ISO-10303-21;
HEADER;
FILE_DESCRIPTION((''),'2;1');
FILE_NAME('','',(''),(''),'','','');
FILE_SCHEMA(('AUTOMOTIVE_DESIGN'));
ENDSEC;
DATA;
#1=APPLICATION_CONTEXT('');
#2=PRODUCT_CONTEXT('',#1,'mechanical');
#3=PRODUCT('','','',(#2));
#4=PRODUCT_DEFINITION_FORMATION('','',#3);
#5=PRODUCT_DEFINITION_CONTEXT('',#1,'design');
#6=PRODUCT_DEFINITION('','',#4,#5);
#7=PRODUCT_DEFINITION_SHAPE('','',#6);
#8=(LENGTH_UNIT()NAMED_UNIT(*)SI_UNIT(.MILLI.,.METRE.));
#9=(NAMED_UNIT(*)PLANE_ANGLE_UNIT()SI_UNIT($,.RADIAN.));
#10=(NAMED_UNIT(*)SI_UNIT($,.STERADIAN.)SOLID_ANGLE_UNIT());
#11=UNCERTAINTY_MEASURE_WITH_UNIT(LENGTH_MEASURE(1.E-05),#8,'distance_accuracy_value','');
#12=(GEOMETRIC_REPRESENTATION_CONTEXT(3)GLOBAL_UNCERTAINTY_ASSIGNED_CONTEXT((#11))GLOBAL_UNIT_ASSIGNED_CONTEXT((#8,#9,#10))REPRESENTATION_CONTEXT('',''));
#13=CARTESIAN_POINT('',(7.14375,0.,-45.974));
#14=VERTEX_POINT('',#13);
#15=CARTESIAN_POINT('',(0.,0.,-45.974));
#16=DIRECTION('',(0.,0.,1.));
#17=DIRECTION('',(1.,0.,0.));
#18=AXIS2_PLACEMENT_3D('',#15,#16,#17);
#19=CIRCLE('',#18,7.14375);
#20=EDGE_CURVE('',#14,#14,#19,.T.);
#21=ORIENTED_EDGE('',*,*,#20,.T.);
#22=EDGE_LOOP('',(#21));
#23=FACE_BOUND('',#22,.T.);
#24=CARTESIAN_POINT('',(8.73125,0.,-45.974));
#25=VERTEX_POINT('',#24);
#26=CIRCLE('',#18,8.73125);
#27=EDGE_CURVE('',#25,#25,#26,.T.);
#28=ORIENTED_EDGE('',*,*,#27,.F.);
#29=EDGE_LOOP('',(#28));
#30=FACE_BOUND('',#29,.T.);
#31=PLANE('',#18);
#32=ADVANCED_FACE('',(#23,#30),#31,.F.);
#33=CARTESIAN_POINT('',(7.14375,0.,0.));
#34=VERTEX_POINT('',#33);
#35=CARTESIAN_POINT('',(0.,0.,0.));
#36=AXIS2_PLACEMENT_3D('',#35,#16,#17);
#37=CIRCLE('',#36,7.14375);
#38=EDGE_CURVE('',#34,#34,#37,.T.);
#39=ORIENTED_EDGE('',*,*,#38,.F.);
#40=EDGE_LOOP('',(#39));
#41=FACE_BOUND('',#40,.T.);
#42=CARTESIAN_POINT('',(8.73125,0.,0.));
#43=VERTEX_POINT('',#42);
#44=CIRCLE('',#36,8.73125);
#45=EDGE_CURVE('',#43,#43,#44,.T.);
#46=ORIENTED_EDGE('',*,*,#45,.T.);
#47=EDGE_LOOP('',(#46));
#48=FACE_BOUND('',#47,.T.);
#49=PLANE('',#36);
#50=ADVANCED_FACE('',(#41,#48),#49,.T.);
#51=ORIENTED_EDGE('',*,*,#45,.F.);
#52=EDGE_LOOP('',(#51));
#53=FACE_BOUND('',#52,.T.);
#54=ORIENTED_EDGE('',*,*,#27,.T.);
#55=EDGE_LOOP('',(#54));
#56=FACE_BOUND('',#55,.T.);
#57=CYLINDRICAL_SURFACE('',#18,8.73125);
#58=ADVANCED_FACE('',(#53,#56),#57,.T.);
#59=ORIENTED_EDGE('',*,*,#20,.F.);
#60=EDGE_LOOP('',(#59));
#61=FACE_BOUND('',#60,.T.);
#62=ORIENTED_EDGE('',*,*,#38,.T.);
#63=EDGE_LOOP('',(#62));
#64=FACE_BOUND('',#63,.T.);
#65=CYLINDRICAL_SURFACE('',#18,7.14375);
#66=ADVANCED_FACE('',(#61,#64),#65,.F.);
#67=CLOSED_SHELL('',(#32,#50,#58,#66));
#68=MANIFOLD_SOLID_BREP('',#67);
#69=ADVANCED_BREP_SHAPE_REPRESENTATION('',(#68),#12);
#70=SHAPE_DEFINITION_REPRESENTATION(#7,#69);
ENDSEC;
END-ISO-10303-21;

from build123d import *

# Parameters (mm, degrees)
SKETCH2_R           = 8.73125
SKETCH2_R_2         = 7.14375
BOSS_EXTRUDE1_DEPTH = 45.974


with BuildPart() as part:
    # Sketch2 → Boss-Extrude1 (new body)
    with BuildSketch(Plane.XY):
        Circle(SKETCH2_R)
        Circle(SKETCH2_R_2, mode=Mode.SUBTRACT)
    extrude(amount=-BOSS_EXTRUDE1_DEPTH)


solid = part.part
